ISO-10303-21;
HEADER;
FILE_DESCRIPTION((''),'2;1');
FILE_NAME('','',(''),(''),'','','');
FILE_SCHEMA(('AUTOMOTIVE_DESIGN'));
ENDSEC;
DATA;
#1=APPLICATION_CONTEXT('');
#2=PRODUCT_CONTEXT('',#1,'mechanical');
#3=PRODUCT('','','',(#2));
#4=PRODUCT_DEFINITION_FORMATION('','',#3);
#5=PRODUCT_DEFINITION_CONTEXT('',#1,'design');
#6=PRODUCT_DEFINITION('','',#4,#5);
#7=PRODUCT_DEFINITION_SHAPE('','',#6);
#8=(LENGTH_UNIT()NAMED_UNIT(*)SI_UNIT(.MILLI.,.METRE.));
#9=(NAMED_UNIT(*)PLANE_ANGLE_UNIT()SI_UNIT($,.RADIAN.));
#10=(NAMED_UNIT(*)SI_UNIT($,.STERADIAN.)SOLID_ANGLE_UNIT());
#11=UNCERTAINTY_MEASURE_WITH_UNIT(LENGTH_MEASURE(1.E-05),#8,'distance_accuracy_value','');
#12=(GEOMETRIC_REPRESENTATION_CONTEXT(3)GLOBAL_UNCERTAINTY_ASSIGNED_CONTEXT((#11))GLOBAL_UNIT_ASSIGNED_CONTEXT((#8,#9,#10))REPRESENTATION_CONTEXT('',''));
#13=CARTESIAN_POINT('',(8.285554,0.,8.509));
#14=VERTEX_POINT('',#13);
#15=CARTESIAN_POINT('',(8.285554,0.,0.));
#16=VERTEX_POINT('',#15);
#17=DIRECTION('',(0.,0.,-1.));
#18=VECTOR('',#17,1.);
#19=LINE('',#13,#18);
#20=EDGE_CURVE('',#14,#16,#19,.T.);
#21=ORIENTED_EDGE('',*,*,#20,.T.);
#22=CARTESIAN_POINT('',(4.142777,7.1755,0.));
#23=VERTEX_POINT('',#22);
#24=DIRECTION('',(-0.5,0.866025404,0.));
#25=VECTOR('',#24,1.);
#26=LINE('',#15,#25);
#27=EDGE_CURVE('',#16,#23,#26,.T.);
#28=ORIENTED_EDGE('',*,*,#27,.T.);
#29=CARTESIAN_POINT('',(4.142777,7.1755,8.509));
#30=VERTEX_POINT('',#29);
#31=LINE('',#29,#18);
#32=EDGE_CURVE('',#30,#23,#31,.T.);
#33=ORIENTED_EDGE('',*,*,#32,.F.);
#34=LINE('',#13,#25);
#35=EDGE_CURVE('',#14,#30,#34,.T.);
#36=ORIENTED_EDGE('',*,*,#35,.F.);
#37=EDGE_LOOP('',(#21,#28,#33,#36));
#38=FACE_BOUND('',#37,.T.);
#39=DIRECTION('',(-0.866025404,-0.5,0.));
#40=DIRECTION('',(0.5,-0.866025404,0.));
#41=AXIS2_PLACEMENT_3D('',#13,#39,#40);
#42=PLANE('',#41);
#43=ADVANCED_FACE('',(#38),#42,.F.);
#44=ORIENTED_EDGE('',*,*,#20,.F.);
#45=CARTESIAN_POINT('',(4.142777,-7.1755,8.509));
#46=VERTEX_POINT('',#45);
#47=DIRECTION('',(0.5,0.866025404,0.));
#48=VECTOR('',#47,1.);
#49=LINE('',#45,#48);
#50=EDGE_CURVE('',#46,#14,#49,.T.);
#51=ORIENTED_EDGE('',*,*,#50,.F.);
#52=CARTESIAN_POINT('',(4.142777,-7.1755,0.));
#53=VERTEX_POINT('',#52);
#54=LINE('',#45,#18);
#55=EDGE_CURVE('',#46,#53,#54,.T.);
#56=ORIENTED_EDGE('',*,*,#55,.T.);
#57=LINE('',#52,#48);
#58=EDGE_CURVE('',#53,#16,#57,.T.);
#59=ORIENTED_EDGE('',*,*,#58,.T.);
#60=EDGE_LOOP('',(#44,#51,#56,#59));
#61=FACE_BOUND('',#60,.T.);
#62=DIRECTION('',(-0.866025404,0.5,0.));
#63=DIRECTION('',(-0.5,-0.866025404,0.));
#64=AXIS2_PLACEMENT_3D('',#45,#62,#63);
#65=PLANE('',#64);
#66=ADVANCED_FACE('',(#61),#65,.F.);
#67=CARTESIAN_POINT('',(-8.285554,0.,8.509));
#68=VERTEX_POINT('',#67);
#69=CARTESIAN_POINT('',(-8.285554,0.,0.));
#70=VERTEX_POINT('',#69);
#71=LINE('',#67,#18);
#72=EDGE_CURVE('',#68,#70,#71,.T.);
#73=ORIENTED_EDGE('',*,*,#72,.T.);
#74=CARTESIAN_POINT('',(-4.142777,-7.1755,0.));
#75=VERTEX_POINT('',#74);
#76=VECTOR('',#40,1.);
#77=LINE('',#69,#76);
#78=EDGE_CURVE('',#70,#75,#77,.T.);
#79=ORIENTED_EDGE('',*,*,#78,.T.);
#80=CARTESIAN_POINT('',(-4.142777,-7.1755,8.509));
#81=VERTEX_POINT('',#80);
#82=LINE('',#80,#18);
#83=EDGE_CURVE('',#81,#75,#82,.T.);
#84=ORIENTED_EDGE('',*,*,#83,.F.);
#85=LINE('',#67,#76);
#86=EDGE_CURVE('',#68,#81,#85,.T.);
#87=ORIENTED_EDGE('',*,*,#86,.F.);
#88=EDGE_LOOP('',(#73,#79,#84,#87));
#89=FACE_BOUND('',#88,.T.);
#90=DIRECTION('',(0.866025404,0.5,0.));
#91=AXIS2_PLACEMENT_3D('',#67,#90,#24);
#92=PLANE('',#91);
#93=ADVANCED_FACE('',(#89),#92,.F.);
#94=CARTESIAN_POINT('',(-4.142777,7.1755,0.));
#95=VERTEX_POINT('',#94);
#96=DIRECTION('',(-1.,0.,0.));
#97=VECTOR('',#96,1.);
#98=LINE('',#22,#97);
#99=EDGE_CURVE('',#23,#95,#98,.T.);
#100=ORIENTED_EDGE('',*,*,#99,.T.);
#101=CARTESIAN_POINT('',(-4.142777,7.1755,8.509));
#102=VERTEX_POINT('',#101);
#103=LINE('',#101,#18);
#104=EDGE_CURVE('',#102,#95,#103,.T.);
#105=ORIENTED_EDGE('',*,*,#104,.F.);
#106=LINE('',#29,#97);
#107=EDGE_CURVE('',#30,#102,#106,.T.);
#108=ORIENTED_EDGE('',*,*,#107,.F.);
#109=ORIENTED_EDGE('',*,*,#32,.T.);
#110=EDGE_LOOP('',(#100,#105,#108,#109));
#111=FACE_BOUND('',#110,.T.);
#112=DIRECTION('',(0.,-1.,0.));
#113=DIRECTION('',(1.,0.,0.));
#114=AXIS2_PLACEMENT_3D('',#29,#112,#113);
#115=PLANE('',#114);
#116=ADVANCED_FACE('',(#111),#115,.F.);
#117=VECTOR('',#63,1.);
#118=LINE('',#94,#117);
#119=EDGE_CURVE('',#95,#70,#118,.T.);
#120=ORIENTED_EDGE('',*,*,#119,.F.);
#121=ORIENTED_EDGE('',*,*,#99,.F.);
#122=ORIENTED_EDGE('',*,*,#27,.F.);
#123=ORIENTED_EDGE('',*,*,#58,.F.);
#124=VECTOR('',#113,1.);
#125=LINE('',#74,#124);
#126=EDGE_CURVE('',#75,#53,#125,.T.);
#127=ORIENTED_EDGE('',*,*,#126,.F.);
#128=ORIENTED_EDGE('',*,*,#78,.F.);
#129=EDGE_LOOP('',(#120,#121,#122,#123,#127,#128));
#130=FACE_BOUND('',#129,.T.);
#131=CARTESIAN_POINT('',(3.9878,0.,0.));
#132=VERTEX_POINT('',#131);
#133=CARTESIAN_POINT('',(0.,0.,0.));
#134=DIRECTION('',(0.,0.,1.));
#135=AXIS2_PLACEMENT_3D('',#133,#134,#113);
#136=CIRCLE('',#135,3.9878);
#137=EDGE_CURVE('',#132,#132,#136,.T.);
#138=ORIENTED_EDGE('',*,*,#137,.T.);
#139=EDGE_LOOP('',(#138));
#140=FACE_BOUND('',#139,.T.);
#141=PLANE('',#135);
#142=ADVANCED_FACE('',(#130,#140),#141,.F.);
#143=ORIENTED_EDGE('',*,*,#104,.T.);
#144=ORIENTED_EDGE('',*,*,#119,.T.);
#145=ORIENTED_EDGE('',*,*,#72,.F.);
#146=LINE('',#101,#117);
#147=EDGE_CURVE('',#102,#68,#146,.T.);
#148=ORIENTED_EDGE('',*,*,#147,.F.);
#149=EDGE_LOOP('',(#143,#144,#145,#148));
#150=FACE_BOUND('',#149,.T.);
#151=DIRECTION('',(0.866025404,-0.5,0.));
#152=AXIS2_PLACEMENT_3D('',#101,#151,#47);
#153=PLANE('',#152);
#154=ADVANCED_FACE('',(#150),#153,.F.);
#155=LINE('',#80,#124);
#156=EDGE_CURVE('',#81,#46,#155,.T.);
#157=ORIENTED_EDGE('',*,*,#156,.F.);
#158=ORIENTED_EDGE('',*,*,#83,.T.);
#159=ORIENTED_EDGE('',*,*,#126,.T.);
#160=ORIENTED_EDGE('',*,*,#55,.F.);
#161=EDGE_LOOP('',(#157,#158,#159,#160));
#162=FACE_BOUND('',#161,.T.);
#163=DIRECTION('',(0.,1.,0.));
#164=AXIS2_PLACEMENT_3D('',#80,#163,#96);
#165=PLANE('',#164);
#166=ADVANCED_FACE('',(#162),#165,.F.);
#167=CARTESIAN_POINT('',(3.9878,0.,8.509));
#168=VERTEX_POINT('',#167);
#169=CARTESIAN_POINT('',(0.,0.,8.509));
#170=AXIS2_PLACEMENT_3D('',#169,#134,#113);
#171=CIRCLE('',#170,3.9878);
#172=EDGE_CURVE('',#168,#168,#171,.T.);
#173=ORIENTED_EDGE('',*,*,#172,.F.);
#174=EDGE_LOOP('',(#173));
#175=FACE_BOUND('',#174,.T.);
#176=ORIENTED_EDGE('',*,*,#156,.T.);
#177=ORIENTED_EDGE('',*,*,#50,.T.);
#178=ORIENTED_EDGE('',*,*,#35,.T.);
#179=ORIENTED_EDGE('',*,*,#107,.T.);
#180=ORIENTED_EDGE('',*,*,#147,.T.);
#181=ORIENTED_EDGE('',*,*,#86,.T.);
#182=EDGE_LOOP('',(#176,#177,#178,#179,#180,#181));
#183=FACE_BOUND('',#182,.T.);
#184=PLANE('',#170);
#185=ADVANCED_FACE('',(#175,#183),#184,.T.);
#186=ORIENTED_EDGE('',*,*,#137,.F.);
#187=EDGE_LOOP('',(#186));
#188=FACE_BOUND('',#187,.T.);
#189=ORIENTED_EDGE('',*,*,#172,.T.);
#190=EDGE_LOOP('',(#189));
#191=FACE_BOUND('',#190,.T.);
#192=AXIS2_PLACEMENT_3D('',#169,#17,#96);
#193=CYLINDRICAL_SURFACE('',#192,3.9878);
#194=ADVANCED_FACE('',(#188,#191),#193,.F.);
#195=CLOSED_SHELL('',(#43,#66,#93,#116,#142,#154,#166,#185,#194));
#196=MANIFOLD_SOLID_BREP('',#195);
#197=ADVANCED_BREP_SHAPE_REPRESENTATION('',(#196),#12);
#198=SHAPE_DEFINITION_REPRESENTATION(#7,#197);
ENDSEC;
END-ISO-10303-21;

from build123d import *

# Parameters (mm, degrees)
SKETCH1_R           = 3.9878
BOSS_EXTRUDE1_DEPTH = 8.509


with BuildPart() as part:
    # Sketch1 → Boss-Extrude1 (new body)
    with BuildSketch(Plane.XY):
        Polygon((8.285553713, 0), (4.142776857, 7.1755), (-4.142776857, 7.1755), (-8.285553713, 0), (-4.142776857, -7.1755), (4.142776857, -7.1755), align=None)
        Circle(SKETCH1_R, mode=Mode.SUBTRACT)
    extrude(amount=BOSS_EXTRUDE1_DEPTH)


solid = part.part
